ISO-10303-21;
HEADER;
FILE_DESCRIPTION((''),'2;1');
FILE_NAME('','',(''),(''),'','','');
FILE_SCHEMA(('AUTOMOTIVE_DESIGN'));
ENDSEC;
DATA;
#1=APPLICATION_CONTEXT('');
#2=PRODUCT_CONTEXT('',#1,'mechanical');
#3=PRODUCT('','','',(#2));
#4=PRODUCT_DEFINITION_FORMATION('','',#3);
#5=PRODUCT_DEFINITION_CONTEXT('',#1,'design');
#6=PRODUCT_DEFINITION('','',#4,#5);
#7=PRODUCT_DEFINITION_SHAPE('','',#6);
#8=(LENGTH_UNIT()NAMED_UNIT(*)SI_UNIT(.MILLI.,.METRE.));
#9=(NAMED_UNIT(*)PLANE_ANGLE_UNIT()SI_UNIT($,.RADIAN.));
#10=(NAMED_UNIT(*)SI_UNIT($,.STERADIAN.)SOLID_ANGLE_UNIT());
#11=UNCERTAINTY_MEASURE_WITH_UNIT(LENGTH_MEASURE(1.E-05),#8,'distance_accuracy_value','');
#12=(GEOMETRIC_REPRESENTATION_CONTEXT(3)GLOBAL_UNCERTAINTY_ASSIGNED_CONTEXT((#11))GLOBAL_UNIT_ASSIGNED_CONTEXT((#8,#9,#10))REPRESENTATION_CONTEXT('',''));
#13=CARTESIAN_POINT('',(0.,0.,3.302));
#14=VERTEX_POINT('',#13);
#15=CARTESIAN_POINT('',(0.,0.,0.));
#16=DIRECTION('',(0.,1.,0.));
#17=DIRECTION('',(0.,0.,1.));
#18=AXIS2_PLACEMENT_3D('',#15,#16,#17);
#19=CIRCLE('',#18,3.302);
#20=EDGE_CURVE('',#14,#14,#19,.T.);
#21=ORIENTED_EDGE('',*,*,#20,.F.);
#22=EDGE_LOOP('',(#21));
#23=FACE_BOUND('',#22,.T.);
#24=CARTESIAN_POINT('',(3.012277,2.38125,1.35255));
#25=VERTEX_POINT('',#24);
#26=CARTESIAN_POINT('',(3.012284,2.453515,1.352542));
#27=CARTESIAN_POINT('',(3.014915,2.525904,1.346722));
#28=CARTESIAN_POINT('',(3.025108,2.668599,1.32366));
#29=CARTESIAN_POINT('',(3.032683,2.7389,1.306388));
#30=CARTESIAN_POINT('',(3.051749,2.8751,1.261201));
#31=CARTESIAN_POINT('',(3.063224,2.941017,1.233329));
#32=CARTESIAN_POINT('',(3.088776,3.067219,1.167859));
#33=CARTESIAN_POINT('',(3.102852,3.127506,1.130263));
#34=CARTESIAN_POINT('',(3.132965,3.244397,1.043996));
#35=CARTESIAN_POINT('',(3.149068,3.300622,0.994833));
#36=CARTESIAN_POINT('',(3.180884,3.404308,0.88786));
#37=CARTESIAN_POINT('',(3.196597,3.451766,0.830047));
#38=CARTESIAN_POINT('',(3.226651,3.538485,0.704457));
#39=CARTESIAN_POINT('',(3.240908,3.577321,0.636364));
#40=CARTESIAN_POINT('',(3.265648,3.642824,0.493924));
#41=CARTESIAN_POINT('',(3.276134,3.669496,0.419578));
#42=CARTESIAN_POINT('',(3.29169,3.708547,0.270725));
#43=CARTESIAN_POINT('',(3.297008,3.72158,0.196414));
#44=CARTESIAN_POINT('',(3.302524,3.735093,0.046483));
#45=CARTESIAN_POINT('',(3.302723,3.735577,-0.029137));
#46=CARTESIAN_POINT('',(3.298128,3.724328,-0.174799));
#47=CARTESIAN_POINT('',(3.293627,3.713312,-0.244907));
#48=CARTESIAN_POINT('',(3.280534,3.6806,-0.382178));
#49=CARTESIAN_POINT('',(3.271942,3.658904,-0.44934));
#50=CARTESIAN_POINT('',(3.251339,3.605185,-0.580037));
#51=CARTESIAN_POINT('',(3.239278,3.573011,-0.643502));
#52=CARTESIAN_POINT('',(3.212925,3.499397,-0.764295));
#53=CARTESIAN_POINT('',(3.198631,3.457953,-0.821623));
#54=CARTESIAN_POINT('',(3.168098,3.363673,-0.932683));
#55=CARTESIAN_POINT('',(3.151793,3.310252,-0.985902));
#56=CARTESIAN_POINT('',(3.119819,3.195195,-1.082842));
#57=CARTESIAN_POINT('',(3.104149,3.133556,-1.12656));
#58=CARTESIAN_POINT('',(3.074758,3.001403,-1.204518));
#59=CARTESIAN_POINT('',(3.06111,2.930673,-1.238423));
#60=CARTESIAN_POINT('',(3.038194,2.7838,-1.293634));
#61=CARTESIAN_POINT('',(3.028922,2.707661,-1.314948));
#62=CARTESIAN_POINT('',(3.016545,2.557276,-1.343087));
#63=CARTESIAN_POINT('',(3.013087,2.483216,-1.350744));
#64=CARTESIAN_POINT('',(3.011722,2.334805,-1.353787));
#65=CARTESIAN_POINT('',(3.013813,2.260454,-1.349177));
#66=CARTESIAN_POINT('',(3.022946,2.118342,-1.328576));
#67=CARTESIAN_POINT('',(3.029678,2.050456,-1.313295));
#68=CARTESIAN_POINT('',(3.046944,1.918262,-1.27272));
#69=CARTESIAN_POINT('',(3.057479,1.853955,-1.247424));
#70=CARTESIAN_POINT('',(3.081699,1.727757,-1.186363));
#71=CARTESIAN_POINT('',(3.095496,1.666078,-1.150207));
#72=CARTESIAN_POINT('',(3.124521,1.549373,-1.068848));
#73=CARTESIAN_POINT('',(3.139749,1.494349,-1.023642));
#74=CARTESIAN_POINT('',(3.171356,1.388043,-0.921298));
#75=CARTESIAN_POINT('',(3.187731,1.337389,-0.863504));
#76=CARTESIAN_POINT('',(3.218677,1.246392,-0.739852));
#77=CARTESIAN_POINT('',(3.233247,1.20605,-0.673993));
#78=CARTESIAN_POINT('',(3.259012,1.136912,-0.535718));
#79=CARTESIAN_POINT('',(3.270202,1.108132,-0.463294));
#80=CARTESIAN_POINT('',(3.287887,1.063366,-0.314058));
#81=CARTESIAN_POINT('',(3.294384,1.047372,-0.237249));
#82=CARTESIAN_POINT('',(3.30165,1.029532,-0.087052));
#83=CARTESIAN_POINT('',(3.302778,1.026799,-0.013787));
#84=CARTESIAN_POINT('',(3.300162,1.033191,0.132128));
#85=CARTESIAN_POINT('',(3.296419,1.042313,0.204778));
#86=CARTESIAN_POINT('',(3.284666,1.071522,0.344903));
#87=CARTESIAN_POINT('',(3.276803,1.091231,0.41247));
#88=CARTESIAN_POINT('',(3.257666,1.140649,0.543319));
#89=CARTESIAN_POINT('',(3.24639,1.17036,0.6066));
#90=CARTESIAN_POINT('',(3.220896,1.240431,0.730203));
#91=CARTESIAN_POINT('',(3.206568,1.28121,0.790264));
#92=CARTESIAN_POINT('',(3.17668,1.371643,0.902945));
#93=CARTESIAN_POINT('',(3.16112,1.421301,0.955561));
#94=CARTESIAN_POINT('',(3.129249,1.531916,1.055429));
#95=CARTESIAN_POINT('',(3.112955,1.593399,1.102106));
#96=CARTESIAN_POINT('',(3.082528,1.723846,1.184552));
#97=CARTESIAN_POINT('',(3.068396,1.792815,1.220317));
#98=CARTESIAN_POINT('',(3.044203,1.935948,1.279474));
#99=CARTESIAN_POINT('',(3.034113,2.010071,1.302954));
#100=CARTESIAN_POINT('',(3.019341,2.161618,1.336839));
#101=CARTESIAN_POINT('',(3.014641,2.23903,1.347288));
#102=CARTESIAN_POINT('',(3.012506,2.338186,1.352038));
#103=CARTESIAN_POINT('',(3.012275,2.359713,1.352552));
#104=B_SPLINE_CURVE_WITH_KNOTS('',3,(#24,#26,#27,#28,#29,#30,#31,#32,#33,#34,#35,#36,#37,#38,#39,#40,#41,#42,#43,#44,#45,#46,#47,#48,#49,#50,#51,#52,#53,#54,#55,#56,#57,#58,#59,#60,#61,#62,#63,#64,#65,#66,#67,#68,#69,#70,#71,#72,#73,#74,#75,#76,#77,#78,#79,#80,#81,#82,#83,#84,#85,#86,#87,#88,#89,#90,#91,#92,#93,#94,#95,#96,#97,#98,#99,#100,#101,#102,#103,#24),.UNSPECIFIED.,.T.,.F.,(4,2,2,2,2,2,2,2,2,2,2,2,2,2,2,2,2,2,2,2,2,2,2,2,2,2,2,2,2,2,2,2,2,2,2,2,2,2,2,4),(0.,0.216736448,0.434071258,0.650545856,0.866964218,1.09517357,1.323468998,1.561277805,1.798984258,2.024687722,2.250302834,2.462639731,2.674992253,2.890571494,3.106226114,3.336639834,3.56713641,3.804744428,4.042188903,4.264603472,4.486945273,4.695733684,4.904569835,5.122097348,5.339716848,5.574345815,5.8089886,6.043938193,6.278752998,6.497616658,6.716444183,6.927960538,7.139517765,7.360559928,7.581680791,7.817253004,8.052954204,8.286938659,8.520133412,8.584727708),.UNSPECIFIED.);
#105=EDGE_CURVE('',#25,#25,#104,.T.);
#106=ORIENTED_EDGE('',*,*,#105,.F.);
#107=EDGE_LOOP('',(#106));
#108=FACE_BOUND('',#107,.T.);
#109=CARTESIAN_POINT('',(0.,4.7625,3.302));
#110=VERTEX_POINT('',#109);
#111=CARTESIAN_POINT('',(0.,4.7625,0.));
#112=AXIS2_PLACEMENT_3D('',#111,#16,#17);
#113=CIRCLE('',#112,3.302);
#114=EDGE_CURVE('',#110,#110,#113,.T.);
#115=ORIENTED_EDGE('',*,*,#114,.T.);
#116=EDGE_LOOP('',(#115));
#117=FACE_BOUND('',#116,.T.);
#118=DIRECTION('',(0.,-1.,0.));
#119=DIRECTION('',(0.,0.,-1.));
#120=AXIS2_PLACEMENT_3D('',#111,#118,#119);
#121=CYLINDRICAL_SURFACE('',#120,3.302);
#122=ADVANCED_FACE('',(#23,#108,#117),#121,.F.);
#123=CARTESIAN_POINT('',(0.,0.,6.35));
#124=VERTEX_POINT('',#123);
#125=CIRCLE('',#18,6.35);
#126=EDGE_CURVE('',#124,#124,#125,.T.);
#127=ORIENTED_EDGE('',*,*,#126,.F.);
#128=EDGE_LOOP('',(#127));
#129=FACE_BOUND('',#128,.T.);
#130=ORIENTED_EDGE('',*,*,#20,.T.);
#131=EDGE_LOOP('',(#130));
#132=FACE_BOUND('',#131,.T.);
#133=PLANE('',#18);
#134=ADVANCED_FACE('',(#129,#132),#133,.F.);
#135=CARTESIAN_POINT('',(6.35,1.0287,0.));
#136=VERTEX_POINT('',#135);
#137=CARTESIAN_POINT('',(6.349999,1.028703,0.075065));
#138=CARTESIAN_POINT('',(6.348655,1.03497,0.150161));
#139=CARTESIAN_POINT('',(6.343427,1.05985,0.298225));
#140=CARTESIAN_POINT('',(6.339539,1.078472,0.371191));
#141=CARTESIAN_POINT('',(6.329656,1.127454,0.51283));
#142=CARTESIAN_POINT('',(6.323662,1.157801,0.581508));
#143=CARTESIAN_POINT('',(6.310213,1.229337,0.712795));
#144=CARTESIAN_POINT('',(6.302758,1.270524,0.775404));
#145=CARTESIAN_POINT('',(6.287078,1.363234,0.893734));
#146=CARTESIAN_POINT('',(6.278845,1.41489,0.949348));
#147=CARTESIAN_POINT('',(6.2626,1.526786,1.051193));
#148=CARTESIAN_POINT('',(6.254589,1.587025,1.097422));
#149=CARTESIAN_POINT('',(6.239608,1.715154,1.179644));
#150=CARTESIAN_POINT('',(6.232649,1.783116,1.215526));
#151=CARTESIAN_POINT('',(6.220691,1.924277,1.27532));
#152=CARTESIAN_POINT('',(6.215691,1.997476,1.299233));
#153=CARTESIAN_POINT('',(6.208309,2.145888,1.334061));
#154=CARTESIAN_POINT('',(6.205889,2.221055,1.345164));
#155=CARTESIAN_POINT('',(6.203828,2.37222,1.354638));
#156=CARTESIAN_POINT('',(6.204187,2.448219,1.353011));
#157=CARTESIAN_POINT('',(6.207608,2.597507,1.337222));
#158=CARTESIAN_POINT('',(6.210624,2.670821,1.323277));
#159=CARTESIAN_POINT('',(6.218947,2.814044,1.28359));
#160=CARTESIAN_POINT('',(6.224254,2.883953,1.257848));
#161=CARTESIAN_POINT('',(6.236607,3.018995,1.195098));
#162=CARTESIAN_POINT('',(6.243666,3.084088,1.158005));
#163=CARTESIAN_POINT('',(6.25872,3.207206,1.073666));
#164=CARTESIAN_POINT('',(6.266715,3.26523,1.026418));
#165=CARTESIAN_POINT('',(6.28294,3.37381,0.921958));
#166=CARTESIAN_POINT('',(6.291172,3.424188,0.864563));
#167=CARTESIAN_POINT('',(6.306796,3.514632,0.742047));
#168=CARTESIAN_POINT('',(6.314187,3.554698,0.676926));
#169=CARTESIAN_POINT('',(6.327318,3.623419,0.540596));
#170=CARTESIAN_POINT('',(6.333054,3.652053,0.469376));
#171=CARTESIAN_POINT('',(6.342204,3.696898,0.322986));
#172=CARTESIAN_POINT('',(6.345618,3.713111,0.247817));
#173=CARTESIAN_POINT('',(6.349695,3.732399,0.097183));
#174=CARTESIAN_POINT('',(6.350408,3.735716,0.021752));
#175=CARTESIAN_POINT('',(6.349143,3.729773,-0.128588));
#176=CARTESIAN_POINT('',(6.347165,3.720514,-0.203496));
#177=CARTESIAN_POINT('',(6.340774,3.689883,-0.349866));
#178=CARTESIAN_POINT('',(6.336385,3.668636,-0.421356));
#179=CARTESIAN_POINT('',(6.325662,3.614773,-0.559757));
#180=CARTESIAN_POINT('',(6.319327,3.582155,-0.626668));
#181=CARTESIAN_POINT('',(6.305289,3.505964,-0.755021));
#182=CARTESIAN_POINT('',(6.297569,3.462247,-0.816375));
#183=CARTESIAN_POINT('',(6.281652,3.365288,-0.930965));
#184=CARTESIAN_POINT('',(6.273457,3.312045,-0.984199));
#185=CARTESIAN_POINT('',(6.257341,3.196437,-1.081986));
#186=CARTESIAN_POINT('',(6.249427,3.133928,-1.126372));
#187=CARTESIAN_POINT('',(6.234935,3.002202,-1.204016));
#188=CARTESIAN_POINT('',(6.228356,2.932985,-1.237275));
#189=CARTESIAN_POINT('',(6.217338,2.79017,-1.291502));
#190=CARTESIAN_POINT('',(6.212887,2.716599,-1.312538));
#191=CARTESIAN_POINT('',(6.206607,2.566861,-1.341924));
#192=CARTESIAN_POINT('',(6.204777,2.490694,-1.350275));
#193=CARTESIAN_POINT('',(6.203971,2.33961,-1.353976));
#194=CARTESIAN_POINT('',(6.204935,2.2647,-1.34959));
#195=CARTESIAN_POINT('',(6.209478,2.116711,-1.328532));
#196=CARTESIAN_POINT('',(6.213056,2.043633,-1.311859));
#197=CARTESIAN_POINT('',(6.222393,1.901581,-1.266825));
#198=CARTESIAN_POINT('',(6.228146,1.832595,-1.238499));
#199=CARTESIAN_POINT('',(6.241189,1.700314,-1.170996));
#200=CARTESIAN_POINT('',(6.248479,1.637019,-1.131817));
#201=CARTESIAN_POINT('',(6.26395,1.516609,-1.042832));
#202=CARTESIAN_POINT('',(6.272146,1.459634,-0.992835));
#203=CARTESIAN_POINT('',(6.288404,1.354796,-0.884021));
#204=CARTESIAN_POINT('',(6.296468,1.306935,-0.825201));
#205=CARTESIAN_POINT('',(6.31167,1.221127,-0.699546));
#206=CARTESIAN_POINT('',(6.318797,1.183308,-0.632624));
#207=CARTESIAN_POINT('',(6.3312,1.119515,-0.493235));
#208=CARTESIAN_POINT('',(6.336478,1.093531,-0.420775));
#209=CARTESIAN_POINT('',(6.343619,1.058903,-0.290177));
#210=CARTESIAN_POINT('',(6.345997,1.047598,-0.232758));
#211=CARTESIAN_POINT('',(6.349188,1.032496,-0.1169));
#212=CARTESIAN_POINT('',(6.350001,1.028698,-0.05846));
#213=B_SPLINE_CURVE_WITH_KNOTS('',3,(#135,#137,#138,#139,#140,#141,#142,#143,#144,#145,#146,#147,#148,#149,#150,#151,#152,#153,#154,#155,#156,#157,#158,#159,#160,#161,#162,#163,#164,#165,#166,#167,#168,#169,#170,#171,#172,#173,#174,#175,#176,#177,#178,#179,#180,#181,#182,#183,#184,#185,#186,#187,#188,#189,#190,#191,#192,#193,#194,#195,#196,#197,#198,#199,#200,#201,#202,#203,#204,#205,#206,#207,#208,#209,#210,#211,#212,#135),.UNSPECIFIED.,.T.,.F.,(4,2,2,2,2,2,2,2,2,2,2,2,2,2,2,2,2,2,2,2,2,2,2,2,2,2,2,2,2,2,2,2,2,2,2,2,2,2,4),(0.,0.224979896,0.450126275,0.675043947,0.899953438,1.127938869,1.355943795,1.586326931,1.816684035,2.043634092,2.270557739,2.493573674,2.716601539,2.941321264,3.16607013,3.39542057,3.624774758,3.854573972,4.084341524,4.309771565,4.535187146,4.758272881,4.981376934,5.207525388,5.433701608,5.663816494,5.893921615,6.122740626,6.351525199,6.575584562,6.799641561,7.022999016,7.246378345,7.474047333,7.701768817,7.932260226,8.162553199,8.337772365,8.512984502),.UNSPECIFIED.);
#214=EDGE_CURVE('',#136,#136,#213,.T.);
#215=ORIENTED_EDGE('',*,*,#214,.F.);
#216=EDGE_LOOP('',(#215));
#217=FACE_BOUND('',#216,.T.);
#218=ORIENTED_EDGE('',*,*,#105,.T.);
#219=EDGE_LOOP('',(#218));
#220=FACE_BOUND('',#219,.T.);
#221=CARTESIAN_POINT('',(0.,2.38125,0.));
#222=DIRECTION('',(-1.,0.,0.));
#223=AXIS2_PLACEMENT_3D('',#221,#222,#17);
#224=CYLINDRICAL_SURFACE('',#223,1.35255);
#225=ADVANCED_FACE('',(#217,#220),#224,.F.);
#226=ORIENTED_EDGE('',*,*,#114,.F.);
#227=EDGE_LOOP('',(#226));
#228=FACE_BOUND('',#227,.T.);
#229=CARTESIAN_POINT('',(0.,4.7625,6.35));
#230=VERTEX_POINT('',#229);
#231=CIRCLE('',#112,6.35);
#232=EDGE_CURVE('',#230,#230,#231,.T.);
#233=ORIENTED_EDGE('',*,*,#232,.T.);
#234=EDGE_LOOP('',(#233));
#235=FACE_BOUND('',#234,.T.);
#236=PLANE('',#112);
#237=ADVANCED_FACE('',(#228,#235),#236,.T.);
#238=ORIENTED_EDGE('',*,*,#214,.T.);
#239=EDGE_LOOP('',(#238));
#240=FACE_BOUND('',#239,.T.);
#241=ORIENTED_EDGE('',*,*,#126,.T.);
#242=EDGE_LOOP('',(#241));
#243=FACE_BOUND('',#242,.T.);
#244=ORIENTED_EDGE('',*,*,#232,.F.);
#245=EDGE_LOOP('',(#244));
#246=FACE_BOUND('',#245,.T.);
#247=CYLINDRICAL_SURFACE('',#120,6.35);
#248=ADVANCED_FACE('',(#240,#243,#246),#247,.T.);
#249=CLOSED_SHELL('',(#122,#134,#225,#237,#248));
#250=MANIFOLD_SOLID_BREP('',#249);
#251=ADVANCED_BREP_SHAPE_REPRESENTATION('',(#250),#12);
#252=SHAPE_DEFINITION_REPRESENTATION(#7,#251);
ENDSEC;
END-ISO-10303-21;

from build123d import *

# Parameters (mm, degrees)
SKETCH1_R           = 6.35
SKETCH1_R_2         = 3.302
BOSS_EXTRUDE1_DEPTH = 4.7625
SKETCH3_W           = 1.35255
SKETCH3_H           = 6.35


with BuildPart() as part:
    # Sketch1 → Boss-Extrude1 (new body)
    with BuildSketch(Plane(origin=(0, 0, 0), x_dir=(1, 0, 0), z_dir=(0, 1, 0))):
        with Locations(Location((0, 0, 0), (0, 0, 270))):
            Circle(SKETCH1_R)
        with Locations(Location((0, 0, 0), (0, 0, 270))):
            Circle(SKETCH1_R_2, mode=Mode.SUBTRACT)
    extrude(amount=BOSS_EXTRUDE1_DEPTH)

    # Sketch3 → #6-32 Tapped Hole1 (revolve, cut)
    with BuildSketch(Plane.ZX.offset(2.38125)):
        with Locations((0.676275, 3.175)):
            Rectangle(SKETCH3_W, SKETCH3_H)
    revolve(axis=Axis((-6.35, 2.38125, 0), (1, 0, 0)), mode=Mode.SUBTRACT)


solid = part.part
